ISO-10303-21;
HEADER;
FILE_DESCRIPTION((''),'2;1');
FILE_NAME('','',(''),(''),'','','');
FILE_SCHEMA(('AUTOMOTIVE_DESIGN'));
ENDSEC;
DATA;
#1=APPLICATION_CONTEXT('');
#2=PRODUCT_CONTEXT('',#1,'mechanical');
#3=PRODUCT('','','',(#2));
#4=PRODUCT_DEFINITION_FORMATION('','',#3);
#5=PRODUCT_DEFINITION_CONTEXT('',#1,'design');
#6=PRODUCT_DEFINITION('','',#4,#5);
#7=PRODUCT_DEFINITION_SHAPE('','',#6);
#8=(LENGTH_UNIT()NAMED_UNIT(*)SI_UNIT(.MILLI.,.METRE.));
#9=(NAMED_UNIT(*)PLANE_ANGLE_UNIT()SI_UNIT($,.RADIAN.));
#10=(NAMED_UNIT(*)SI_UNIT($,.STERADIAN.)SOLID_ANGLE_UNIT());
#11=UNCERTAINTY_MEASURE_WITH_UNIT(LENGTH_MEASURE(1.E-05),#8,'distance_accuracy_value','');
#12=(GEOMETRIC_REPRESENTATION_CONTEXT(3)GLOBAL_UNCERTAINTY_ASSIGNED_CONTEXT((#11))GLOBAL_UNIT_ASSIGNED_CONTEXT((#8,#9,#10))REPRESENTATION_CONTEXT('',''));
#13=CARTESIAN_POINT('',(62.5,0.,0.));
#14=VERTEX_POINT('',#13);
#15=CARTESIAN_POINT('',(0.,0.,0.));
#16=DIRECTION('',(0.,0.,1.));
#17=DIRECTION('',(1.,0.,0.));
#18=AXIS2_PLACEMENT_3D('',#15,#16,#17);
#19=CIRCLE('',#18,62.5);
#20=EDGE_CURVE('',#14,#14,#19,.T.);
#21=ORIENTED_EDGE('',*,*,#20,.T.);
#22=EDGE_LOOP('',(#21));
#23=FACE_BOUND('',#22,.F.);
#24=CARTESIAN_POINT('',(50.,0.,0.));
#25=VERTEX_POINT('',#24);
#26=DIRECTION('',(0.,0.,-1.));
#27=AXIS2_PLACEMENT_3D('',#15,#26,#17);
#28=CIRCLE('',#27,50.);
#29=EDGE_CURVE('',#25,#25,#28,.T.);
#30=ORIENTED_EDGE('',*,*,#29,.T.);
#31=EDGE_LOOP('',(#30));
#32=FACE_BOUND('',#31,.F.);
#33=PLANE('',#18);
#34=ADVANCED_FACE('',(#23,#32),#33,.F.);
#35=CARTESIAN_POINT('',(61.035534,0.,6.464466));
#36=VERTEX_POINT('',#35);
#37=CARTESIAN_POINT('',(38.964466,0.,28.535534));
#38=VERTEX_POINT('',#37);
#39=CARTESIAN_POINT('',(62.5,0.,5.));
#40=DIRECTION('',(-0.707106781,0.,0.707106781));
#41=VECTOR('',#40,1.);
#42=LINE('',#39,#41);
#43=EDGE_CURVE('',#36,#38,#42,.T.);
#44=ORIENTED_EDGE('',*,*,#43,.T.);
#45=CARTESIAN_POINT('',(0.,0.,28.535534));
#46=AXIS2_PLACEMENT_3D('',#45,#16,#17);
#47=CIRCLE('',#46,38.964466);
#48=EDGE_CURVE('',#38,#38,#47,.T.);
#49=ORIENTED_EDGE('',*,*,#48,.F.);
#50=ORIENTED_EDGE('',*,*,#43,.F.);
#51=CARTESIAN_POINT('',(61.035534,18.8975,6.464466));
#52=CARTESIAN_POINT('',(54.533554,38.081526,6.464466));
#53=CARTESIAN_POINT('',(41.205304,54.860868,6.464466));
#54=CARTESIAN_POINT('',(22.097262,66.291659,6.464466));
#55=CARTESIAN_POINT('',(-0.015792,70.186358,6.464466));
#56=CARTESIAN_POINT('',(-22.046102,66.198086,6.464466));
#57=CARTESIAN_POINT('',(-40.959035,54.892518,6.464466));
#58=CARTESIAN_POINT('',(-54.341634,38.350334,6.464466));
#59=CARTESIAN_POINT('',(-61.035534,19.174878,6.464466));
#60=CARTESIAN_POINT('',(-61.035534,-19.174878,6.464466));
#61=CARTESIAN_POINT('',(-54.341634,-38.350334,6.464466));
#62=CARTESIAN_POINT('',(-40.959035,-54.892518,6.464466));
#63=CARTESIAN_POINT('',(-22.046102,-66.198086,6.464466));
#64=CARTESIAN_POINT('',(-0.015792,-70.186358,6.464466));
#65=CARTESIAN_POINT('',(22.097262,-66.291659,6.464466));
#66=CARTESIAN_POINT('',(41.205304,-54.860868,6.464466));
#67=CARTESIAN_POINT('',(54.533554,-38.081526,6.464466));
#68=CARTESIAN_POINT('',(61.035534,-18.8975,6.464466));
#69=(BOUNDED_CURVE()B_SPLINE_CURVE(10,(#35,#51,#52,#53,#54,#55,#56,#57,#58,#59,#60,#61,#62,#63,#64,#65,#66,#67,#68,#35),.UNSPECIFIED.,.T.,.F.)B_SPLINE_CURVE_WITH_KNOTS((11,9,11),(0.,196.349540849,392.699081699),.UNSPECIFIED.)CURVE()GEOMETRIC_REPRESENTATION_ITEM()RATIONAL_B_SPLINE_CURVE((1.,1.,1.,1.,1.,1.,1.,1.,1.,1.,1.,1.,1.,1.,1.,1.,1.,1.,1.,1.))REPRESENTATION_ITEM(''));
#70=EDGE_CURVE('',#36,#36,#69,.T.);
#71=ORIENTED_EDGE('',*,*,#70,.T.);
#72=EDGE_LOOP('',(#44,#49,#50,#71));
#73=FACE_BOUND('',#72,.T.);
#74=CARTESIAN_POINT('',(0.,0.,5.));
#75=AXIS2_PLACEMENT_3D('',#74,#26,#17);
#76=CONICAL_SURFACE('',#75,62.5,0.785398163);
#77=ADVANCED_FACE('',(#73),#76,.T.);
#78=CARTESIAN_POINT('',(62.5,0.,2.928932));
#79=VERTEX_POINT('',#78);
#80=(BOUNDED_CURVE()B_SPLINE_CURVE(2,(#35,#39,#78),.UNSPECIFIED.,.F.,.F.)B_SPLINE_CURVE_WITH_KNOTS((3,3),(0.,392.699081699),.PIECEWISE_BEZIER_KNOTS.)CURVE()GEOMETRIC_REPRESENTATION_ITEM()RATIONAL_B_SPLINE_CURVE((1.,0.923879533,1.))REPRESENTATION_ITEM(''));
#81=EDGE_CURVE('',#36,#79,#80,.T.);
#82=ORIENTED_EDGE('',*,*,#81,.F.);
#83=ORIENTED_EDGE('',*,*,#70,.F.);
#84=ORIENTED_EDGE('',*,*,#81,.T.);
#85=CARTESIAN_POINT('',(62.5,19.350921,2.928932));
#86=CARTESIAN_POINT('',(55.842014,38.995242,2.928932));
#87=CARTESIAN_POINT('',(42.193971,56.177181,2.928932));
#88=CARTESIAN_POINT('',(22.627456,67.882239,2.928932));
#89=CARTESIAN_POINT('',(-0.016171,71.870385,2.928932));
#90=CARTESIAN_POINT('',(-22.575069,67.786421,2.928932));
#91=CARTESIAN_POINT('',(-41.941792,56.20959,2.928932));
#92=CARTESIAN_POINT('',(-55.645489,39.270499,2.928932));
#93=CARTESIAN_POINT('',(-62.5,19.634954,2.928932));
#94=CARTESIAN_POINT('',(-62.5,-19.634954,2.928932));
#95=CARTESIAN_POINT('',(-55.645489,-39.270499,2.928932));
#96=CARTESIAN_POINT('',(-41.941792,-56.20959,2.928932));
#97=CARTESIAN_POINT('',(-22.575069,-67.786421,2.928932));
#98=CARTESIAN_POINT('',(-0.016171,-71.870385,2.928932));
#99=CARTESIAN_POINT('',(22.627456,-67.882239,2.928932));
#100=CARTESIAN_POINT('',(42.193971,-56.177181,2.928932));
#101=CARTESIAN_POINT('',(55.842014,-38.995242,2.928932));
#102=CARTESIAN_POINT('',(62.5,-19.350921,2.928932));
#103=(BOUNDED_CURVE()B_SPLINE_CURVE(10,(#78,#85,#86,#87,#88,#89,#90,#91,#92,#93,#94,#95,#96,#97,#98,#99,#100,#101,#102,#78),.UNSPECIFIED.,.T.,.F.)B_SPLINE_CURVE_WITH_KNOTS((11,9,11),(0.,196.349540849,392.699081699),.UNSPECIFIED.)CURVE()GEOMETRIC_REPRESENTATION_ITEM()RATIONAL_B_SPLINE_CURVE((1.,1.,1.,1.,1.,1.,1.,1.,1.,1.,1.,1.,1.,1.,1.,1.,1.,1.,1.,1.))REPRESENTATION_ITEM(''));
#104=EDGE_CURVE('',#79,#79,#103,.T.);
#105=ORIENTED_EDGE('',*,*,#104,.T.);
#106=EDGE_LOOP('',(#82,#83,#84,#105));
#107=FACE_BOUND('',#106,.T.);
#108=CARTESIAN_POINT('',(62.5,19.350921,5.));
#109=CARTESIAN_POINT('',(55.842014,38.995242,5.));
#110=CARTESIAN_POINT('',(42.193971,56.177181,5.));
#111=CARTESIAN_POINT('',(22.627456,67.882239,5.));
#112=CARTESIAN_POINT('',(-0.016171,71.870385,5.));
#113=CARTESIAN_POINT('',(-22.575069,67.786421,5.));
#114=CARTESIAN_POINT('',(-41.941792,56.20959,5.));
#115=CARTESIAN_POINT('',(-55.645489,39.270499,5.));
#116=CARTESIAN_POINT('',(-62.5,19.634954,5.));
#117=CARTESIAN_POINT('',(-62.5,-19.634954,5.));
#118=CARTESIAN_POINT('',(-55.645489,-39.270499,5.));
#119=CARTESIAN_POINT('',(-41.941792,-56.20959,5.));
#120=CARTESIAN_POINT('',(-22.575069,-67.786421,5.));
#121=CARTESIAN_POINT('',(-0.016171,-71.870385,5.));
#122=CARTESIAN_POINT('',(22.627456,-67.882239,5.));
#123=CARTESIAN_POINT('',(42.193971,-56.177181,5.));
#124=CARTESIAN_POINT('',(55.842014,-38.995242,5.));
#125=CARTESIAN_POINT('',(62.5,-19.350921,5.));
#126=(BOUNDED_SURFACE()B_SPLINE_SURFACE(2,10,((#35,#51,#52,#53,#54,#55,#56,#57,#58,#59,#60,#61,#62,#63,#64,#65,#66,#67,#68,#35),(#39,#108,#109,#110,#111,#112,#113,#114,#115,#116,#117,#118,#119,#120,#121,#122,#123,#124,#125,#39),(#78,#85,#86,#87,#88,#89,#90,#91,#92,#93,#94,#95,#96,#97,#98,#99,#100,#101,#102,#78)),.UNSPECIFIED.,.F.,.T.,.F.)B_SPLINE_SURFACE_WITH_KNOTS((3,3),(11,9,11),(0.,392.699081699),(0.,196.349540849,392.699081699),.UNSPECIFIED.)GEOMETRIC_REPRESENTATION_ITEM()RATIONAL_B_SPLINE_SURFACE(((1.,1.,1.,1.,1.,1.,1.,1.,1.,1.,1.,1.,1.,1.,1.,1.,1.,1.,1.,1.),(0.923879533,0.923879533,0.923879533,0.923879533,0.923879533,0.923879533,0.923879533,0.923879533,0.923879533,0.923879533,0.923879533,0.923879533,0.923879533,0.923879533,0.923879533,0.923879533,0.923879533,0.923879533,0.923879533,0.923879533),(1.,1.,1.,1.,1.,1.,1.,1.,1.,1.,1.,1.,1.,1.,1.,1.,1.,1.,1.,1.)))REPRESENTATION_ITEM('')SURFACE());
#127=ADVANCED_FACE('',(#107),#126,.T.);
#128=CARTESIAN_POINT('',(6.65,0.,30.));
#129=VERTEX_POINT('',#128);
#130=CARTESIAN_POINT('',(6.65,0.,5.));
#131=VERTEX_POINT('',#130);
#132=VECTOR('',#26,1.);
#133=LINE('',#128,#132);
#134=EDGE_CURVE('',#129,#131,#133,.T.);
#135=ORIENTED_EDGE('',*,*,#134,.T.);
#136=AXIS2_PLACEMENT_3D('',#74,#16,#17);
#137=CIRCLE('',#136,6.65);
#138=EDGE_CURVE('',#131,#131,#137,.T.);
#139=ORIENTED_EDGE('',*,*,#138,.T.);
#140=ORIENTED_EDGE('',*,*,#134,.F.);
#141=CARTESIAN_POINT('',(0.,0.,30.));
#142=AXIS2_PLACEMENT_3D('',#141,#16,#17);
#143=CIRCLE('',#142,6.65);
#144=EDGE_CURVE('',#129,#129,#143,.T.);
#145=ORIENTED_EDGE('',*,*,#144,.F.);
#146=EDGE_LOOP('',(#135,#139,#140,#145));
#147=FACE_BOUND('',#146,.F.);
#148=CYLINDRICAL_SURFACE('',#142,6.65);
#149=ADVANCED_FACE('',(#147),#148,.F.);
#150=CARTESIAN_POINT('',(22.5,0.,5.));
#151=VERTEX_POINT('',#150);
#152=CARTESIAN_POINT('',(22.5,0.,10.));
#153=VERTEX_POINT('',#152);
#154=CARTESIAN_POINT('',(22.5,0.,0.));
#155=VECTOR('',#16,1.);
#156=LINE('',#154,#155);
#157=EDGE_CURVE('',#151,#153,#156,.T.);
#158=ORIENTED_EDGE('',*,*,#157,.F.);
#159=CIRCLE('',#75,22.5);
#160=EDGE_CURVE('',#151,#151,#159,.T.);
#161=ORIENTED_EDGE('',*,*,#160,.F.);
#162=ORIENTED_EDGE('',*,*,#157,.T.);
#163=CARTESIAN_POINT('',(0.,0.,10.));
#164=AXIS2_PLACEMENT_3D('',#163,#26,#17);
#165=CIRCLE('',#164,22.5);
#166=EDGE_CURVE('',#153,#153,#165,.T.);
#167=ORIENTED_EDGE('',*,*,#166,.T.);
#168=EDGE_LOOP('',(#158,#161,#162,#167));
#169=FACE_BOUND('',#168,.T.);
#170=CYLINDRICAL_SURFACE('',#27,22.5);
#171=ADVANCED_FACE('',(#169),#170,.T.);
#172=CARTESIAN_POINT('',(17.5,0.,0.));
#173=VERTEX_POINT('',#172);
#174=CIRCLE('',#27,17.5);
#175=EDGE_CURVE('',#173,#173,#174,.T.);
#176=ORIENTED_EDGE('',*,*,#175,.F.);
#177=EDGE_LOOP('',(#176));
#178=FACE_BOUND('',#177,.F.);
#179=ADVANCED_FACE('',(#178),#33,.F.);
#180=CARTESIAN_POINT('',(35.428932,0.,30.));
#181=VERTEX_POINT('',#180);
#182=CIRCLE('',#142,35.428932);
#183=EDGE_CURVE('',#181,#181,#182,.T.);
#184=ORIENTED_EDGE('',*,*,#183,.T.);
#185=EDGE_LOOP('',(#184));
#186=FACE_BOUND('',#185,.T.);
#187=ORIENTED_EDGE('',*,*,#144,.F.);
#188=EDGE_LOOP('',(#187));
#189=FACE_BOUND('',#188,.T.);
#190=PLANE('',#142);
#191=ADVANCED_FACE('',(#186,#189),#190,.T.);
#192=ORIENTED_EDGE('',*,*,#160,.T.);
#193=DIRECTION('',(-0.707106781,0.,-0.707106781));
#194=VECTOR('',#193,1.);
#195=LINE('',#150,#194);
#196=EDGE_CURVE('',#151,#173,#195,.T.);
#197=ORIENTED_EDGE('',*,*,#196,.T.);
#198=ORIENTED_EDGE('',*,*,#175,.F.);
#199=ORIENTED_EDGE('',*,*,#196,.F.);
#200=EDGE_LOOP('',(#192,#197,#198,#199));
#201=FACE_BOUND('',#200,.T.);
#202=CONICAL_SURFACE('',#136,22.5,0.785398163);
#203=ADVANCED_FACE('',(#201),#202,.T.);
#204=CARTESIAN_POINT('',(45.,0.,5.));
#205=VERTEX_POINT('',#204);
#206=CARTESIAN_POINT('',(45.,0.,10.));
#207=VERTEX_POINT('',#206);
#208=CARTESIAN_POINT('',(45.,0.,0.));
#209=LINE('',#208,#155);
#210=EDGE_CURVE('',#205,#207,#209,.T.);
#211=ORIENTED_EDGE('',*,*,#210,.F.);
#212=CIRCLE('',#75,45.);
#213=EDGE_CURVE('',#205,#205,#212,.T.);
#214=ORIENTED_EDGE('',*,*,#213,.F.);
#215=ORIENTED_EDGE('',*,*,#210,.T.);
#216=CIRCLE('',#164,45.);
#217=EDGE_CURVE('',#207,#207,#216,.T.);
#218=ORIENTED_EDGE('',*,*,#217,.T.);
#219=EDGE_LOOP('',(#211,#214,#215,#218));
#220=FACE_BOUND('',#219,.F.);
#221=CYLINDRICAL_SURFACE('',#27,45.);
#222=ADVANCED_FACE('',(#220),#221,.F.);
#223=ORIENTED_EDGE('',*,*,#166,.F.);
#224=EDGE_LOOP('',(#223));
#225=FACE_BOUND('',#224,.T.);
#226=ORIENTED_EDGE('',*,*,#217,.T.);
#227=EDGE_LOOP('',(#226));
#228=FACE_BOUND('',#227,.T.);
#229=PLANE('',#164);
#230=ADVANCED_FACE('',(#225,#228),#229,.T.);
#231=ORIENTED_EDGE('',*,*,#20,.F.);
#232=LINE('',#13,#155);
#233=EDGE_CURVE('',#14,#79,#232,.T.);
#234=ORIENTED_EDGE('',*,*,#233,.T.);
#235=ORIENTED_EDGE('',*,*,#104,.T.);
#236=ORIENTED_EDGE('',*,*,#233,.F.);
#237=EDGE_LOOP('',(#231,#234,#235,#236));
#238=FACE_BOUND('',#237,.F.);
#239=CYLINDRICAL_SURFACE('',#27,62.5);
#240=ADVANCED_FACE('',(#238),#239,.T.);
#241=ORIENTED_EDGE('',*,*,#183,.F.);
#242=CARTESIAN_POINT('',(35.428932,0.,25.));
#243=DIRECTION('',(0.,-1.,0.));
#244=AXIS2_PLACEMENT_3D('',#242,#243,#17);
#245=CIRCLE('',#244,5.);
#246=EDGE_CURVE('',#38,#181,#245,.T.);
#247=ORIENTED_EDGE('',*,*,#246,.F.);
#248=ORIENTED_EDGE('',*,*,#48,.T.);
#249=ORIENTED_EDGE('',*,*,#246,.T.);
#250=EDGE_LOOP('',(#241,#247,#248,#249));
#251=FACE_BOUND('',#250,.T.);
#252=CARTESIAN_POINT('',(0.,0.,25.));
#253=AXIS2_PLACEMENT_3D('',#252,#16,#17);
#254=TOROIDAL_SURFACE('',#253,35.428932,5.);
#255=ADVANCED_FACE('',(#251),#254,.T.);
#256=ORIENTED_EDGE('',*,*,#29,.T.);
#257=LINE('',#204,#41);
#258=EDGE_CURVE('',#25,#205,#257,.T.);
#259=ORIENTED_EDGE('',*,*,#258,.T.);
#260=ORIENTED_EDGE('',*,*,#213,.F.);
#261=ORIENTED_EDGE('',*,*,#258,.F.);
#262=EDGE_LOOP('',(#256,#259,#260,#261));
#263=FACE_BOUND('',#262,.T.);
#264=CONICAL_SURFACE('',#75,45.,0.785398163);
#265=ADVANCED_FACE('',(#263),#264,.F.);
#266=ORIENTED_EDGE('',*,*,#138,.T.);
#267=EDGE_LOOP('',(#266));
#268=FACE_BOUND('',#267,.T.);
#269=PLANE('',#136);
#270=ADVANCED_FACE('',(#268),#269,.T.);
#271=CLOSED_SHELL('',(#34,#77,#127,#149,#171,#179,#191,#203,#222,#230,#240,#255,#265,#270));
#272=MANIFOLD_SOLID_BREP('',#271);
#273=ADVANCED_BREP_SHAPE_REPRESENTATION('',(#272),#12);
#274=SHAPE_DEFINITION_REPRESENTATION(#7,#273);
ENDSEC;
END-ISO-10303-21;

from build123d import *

# Parameters (mm, degrees)
F0_R     = 62.5
F1_DEPTH = 30
F2_SIZE  = 25
F3_R     = 6.65
F4_DEPTH = 25
F5_R     = 5
F6_R     = 5
F7_R     = 45
F7_R_2   = 22.5
F8_DEPTH = 10
F9_SIZE  = 5


with BuildPart() as f1:
    # F0 (on Top) → F1 (new body)
    with BuildSketch(Plane.XY):
        Circle(F0_R)
    extrude(amount=F1_DEPTH)

    # F2
    f2_edges = [f1.edges().sort_by_distance(p)[0] for p in [
        (-62.5, 0, 30),
    ]]
    chamfer(f2_edges, length=F2_SIZE)

    # F3 (on face) → F4 (cut)
    with BuildSketch(Plane.XY.offset(30)):
        Circle(F3_R)
    extrude(amount=-F4_DEPTH, mode=Mode.SUBTRACT)

    # F5
    f5_edges = [f1.edges().sort_by_distance(p)[0] for p in [
        (-37.5, 0, 30),
    ]]
    fillet(f5_edges, radius=F5_R)

    # F6
    f6_edges = [f1.edges().sort_by_distance(p)[0] for p in [
        (-62.5, 0, 5),
    ]]
    fillet(f6_edges, radius=F6_R)

    # F7 (on face) → F8 (cut)
    with BuildSketch(Plane(origin=(0, 0, 0), x_dir=(1, 0, 0), z_dir=(0, 0, -1))):
        Circle(F7_R)
        Circle(F7_R_2, mode=Mode.SUBTRACT)
    extrude(amount=-F8_DEPTH, mode=Mode.SUBTRACT)

    # F9
    f9_edges = [f1.edges().sort_by_distance(p)[0] for p in [
        (-45, 0, 0),
        (-22.5, 0, 0),
    ]]
    chamfer(f9_edges, length=F9_SIZE)


solid = f1.part
